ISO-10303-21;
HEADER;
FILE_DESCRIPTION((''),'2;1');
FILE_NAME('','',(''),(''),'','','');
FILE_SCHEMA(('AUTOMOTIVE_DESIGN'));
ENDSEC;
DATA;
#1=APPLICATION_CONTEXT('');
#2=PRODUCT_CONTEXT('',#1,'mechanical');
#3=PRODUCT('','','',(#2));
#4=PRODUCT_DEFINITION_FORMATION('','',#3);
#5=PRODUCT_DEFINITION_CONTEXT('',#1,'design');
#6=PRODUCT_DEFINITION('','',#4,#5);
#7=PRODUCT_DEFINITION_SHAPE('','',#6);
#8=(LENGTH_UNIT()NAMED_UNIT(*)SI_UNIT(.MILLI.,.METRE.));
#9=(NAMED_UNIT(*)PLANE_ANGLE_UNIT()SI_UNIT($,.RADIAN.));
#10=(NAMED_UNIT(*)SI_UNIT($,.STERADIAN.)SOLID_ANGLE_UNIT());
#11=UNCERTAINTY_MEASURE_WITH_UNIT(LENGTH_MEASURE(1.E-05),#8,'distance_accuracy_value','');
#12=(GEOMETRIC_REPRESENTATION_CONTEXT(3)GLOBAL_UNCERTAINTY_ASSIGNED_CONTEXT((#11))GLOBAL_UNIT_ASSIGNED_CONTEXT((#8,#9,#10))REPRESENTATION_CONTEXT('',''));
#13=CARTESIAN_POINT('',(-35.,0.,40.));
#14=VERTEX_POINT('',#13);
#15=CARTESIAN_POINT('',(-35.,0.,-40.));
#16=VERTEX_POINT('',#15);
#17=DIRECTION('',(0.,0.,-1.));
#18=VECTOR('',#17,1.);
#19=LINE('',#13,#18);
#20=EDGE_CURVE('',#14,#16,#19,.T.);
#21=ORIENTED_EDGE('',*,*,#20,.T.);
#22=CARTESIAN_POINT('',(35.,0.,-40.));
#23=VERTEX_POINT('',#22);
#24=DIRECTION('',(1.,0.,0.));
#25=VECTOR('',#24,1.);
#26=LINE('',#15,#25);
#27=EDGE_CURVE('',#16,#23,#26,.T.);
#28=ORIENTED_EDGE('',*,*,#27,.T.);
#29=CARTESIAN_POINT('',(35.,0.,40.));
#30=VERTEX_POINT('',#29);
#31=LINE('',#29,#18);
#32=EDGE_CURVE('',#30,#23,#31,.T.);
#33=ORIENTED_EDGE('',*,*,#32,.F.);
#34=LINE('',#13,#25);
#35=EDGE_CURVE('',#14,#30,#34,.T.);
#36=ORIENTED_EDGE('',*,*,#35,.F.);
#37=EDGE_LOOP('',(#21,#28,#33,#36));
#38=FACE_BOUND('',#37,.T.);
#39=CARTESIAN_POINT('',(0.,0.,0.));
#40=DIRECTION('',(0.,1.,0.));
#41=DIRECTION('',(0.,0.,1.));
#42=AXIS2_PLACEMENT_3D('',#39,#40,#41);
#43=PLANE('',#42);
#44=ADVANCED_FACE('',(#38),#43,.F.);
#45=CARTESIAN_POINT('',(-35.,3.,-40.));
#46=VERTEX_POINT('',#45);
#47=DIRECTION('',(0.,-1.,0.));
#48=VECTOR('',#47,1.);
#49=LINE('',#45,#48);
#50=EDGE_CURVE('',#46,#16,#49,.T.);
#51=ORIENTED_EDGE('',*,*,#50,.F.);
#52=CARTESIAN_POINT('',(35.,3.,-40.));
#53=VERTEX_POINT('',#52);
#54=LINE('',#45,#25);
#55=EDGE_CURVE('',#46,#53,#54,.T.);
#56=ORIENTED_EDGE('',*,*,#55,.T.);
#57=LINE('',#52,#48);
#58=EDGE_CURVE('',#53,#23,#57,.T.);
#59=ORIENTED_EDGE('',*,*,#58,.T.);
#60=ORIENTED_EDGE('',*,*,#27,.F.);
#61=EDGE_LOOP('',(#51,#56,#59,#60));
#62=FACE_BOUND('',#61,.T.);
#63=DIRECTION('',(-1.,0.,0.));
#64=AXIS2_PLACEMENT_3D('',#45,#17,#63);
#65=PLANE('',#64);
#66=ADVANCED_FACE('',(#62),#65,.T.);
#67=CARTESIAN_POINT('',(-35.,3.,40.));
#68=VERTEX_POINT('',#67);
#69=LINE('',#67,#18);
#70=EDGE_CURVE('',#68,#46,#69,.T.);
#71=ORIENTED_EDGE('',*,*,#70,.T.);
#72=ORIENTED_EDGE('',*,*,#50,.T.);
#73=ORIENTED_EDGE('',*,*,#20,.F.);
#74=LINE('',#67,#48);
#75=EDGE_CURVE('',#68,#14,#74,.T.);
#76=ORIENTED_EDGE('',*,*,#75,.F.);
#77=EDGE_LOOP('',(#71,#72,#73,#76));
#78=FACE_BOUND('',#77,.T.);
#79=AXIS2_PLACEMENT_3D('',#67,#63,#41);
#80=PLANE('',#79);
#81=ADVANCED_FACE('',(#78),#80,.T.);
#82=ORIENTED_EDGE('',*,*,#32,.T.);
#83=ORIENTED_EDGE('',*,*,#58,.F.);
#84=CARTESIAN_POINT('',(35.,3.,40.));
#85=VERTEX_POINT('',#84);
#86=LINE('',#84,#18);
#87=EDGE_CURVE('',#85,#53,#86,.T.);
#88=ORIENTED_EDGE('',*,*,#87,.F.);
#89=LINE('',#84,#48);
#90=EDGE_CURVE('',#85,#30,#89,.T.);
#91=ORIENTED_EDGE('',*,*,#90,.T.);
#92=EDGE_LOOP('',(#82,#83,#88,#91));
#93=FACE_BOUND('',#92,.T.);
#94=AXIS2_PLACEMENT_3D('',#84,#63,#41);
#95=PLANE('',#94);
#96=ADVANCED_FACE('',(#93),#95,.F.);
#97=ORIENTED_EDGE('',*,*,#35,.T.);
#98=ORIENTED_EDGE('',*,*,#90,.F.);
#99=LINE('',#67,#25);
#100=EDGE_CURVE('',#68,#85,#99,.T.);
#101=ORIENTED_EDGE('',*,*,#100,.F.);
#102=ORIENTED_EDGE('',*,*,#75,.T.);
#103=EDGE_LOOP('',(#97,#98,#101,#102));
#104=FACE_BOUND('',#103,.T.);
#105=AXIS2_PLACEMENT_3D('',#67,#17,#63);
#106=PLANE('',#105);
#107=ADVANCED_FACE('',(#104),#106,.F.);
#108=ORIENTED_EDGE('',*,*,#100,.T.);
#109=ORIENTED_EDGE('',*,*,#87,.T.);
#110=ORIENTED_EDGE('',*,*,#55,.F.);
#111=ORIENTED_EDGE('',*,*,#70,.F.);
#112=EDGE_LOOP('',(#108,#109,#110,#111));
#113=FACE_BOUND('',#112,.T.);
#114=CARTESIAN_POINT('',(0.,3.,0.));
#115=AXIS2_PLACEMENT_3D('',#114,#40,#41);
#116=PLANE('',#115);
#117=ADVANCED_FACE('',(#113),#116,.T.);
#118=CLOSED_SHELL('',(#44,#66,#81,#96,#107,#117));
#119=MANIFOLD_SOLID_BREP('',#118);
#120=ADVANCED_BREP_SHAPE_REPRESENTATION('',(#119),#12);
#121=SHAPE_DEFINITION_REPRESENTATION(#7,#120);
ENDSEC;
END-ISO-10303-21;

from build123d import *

# Parameters (mm, degrees)
ESQUISSE1_W        = 70
ESQUISSE1_H        = 80
BOSS_EXTRU_1_DEPTH = 3


with BuildPart() as part:
    # Esquisse1 → Boss.-Extru.1 (new body)
    with BuildSketch(Plane(origin=(0, 0, 0), x_dir=(1, 0, 0), z_dir=(0, 1, 0))):
        Rectangle(ESQUISSE1_W, ESQUISSE1_H)
    extrude(amount=BOSS_EXTRU_1_DEPTH)


solid = part.part
